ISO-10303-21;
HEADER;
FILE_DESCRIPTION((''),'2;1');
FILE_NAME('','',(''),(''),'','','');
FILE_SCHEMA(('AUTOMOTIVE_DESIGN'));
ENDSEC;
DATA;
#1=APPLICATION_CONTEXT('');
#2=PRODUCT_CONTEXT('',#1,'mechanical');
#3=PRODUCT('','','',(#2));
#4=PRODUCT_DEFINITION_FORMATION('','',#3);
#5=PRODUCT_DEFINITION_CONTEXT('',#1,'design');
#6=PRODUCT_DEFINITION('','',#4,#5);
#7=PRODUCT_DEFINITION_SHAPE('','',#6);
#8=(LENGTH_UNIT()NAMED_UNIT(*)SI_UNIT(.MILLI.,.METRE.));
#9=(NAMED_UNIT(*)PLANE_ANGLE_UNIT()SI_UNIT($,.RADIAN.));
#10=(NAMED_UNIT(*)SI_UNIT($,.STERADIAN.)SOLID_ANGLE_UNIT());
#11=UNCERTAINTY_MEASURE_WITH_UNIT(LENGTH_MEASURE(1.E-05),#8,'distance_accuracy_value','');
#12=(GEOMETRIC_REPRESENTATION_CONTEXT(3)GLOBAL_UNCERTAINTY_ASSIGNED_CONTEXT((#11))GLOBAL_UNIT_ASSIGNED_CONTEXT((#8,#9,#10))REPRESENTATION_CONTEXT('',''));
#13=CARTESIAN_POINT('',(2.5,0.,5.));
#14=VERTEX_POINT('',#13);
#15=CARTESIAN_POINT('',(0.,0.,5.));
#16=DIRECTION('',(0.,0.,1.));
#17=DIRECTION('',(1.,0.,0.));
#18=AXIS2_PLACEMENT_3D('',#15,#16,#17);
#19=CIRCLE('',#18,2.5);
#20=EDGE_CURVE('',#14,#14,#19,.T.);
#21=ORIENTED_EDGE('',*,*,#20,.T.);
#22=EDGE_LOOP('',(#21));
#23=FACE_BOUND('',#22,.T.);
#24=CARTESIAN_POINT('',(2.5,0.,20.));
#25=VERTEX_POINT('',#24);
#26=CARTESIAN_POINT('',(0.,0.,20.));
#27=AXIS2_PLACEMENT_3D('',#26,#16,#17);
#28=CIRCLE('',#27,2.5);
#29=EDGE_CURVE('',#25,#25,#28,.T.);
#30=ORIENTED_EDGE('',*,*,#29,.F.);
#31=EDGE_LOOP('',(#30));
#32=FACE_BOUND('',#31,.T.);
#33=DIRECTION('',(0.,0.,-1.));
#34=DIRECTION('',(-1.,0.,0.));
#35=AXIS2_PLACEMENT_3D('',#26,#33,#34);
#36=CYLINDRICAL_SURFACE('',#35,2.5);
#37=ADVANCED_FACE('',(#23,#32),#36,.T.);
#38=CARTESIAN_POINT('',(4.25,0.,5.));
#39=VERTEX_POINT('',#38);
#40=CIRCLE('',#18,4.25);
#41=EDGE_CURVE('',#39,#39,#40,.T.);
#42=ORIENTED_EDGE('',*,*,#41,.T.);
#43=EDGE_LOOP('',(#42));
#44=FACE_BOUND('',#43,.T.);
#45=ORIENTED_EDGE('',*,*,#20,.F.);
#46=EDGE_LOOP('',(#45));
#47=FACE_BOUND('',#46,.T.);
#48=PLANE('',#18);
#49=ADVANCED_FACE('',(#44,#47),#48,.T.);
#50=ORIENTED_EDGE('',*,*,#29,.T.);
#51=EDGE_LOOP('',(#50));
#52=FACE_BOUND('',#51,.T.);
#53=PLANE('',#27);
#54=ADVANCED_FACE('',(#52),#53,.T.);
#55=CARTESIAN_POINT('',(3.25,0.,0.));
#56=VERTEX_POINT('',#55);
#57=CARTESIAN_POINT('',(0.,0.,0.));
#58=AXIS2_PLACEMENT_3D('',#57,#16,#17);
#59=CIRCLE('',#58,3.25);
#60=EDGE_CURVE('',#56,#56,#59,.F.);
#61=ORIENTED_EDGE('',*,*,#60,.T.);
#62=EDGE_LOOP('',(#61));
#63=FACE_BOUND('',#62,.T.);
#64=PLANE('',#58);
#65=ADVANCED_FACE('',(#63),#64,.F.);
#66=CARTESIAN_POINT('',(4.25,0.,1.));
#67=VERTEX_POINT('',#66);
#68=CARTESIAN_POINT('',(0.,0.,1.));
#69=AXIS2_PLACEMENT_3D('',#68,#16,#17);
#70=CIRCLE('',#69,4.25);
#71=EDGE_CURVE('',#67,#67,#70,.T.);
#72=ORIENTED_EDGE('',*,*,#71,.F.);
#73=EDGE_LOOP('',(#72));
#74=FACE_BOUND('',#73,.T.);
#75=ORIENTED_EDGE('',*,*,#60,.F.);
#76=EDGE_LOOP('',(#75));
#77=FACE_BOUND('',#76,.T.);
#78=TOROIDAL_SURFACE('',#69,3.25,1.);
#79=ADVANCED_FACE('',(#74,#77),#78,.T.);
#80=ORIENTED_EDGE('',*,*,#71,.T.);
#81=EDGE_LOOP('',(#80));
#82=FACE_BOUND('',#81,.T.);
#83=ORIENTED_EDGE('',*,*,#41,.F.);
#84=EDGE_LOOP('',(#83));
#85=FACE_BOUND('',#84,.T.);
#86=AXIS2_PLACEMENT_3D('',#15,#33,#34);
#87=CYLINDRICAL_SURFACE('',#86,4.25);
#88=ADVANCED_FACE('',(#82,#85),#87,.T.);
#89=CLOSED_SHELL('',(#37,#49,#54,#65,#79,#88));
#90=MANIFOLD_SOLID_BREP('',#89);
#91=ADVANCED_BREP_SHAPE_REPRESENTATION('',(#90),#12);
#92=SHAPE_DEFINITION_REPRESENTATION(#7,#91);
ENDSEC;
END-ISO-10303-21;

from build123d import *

# Parameters (mm, degrees)
SKETCH_1_R      = 4.25
EXTRUDE_1_DEPTH = 5
SKETCH_2_R      = 2.5
EXTRUDE_2_DEPTH = 15
FILLET_1_R      = 1


with BuildPart() as part:
    # ｽｹｯﾁ1 → ﾎﾞｽ - 押し出し1 (new body)
    with BuildSketch(Plane.XY):
        Circle(SKETCH_1_R)
    extrude(amount=EXTRUDE_1_DEPTH)

    # ｽｹｯﾁ2 → ﾎﾞｽ - 押し出し2 (add)
    with BuildSketch(Plane.XY.offset(5)):
        Circle(SKETCH_2_R)
    extrude(amount=EXTRUDE_2_DEPTH)

    # ﾌｨﾚｯﾄ1
    fillet_1_edges = [part.edges().sort_by_distance(p)[0] for p in [
        (-4.25, 0, 0),
    ]]
    fillet(fillet_1_edges, radius=FILLET_1_R)


solid = part.part
